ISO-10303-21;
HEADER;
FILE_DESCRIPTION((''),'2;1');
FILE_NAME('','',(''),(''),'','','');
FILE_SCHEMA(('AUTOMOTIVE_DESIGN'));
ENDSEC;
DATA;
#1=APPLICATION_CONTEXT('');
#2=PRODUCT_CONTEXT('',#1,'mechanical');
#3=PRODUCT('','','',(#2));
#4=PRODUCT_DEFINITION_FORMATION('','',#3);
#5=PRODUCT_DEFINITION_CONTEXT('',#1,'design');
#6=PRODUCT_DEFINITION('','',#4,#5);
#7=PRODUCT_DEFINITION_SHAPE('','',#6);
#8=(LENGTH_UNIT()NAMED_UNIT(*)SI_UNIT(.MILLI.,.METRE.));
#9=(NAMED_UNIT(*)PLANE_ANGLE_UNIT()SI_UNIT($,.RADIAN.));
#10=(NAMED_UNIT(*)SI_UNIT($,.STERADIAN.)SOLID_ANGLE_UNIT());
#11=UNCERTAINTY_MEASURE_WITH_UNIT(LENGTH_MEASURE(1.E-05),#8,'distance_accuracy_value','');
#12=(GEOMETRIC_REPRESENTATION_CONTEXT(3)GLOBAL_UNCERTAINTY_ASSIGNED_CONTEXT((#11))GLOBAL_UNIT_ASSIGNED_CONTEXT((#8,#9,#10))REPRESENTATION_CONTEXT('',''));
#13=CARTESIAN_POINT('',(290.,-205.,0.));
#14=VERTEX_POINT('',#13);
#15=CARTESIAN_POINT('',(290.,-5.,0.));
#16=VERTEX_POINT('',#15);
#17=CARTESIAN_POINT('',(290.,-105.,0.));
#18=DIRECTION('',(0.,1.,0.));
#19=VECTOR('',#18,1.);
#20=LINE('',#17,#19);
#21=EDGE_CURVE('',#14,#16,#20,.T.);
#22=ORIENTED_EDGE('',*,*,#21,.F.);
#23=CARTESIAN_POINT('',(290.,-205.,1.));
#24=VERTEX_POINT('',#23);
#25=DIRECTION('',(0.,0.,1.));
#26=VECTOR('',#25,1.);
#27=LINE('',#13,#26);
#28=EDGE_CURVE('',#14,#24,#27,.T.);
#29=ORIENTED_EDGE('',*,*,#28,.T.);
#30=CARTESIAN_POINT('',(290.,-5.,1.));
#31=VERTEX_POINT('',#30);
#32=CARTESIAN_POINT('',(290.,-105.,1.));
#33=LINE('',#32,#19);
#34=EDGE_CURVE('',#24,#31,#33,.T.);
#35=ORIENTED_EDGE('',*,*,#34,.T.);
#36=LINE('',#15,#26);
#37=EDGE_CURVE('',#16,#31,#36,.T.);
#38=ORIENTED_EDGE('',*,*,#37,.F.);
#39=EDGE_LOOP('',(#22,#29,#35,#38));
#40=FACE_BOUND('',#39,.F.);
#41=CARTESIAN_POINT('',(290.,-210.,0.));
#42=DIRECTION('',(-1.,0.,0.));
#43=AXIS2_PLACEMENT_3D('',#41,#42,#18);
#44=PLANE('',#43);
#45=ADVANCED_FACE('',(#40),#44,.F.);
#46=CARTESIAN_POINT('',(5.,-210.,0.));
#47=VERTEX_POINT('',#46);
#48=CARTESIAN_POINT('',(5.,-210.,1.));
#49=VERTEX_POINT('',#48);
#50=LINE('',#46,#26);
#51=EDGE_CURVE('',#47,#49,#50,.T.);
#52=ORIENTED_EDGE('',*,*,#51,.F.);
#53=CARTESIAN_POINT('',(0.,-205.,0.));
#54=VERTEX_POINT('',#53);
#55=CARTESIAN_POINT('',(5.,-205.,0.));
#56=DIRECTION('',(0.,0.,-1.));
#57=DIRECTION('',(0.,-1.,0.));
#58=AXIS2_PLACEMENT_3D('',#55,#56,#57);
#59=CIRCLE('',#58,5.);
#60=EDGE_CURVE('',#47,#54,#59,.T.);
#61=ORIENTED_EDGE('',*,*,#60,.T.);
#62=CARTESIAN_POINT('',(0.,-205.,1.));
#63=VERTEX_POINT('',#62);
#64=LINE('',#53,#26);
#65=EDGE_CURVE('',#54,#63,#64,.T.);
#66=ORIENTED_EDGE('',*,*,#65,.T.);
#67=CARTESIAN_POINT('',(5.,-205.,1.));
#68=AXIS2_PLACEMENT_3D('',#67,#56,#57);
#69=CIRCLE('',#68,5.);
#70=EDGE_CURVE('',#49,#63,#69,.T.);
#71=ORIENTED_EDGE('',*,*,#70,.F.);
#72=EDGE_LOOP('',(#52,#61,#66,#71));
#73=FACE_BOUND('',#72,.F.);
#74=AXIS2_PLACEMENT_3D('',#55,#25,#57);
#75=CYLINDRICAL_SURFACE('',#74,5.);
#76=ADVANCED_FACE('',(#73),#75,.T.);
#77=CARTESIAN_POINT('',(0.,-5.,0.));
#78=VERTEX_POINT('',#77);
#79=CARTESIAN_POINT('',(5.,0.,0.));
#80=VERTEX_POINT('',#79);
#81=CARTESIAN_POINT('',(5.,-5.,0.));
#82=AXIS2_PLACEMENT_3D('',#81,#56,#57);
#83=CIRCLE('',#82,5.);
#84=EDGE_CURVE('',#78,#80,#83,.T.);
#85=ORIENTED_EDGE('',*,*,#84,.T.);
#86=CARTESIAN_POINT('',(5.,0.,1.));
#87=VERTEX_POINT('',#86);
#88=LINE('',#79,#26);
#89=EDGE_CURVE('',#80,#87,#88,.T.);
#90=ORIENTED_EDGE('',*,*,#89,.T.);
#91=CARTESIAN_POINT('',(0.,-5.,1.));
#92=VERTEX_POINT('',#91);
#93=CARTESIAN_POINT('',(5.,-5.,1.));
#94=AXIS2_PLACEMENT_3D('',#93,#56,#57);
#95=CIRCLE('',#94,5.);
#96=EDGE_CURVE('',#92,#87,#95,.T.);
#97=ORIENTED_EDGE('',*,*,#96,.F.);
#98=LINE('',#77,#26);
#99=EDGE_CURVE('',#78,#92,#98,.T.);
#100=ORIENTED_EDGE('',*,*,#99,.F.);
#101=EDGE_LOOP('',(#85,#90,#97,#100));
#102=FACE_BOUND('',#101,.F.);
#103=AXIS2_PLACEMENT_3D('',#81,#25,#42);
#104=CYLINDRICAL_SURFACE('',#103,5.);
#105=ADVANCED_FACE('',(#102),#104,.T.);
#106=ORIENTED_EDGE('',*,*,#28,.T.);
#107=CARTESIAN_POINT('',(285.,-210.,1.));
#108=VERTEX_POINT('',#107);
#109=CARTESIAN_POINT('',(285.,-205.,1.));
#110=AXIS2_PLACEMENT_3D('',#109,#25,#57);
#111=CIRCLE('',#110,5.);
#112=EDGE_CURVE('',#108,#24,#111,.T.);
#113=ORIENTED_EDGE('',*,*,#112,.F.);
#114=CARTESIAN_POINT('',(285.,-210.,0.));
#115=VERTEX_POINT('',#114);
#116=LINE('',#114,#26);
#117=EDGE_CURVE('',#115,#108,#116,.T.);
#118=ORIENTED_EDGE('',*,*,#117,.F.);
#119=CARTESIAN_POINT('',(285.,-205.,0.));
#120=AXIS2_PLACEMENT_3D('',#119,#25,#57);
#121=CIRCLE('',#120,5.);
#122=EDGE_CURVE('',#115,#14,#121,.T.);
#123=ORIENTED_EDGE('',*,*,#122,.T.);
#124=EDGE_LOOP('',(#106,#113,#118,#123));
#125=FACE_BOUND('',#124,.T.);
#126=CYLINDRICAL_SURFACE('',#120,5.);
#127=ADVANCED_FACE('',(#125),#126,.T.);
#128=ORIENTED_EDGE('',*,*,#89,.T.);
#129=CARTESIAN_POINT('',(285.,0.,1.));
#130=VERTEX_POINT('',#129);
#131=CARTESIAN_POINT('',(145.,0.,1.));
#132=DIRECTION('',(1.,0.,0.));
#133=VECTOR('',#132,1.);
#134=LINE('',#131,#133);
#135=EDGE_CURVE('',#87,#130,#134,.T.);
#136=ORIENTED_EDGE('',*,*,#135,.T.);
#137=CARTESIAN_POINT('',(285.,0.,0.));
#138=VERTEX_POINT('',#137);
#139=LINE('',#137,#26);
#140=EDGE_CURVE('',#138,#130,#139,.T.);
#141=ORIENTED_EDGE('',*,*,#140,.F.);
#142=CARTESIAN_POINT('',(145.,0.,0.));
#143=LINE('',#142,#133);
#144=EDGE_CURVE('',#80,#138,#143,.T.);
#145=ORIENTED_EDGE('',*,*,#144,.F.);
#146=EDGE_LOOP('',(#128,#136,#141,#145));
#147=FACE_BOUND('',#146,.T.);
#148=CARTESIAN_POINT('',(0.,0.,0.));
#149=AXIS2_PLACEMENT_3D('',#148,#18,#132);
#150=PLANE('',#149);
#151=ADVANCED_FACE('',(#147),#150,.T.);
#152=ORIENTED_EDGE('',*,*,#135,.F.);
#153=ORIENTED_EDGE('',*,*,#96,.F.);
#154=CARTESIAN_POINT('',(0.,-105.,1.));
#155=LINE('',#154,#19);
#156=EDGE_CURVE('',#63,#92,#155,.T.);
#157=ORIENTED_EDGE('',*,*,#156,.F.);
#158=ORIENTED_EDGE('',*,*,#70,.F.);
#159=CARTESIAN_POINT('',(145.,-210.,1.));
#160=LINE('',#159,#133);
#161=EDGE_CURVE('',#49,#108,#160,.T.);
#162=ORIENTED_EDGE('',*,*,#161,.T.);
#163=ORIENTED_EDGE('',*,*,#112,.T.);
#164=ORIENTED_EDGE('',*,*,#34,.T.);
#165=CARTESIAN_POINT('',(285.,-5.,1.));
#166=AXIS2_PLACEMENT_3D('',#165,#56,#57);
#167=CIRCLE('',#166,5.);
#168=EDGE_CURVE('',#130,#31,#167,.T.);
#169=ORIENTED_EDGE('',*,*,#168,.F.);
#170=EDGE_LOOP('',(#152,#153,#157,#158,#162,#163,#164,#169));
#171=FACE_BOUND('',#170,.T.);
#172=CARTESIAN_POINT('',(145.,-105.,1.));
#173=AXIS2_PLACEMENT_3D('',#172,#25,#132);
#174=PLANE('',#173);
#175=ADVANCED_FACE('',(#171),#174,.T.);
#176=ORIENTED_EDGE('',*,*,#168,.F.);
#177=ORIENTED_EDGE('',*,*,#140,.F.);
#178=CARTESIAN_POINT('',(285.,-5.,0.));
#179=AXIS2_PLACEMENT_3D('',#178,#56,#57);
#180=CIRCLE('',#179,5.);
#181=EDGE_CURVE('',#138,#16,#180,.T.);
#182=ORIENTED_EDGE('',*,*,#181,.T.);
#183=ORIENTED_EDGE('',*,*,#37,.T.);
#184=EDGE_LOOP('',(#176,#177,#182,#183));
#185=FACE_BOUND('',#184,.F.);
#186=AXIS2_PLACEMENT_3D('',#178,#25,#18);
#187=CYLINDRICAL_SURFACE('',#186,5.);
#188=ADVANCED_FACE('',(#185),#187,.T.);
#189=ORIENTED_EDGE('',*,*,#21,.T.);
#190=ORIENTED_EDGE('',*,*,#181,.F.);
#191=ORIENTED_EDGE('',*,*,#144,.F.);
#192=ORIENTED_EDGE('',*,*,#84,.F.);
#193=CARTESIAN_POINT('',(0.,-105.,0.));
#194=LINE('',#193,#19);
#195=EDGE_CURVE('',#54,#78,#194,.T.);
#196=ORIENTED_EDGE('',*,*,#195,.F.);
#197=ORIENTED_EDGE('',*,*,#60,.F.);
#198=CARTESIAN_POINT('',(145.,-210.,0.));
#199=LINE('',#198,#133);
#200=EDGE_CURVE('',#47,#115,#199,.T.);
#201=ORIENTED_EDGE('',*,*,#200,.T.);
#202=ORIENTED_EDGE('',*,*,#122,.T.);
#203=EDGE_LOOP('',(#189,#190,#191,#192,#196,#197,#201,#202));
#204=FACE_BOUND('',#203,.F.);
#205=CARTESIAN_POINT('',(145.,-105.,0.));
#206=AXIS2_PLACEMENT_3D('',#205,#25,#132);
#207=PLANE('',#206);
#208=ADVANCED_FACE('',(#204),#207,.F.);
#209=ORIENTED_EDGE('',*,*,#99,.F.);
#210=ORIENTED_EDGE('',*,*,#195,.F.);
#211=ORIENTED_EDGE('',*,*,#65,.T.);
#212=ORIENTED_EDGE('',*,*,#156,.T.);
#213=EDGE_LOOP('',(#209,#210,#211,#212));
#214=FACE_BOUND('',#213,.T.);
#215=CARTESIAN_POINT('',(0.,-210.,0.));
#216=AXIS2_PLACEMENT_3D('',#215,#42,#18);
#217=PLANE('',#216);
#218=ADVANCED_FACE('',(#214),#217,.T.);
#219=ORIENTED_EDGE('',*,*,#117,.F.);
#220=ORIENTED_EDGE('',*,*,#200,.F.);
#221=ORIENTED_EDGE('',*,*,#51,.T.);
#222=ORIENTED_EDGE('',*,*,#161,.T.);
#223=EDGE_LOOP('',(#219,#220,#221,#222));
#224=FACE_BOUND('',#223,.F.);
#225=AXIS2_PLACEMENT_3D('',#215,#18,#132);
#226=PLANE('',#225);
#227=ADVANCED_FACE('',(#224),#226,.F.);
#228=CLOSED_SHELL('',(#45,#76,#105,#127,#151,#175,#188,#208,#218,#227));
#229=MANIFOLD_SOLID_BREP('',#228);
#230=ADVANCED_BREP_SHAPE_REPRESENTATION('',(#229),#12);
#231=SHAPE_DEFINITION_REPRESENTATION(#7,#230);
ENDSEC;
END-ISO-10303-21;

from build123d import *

# Parameters (mm, degrees)
SKETCH_W    = 290
SKETCH_H    = 210
PAD_DEPTH   = 1
FILLET_R    = 5
FILLET001_R = 5
FILLET002_R = 5
FILLET003_R = 5


with BuildPart() as part:
    # Sketch → Pad (new body)
    with BuildSketch(Plane.XY):
        with Locations((145, -105)):
            Rectangle(SKETCH_W, SKETCH_H)
    extrude(amount=PAD_DEPTH)

    # Fillet
    fillet_edges = [part.edges().sort_by_distance(p)[0] for p in [
        (290, -210, 0.5),
    ]]
    fillet(fillet_edges, radius=FILLET_R)

    # Fillet001
    fillet001_edges = [part.edges().sort_by_distance(p)[0] for p in [
        (0, -210, 0.5),
    ]]
    fillet(fillet001_edges, radius=FILLET001_R)

    # Fillet002
    fillet002_edges = [part.edges().sort_by_distance(p)[0] for p in [
        (0, 0, 0.5),
    ]]
    fillet(fillet002_edges, radius=FILLET002_R)

    # Fillet003
    fillet003_edges = [part.edges().sort_by_distance(p)[0] for p in [
        (290, 0, 0.5),
    ]]
    fillet(fillet003_edges, radius=FILLET003_R)


solid = part.part
